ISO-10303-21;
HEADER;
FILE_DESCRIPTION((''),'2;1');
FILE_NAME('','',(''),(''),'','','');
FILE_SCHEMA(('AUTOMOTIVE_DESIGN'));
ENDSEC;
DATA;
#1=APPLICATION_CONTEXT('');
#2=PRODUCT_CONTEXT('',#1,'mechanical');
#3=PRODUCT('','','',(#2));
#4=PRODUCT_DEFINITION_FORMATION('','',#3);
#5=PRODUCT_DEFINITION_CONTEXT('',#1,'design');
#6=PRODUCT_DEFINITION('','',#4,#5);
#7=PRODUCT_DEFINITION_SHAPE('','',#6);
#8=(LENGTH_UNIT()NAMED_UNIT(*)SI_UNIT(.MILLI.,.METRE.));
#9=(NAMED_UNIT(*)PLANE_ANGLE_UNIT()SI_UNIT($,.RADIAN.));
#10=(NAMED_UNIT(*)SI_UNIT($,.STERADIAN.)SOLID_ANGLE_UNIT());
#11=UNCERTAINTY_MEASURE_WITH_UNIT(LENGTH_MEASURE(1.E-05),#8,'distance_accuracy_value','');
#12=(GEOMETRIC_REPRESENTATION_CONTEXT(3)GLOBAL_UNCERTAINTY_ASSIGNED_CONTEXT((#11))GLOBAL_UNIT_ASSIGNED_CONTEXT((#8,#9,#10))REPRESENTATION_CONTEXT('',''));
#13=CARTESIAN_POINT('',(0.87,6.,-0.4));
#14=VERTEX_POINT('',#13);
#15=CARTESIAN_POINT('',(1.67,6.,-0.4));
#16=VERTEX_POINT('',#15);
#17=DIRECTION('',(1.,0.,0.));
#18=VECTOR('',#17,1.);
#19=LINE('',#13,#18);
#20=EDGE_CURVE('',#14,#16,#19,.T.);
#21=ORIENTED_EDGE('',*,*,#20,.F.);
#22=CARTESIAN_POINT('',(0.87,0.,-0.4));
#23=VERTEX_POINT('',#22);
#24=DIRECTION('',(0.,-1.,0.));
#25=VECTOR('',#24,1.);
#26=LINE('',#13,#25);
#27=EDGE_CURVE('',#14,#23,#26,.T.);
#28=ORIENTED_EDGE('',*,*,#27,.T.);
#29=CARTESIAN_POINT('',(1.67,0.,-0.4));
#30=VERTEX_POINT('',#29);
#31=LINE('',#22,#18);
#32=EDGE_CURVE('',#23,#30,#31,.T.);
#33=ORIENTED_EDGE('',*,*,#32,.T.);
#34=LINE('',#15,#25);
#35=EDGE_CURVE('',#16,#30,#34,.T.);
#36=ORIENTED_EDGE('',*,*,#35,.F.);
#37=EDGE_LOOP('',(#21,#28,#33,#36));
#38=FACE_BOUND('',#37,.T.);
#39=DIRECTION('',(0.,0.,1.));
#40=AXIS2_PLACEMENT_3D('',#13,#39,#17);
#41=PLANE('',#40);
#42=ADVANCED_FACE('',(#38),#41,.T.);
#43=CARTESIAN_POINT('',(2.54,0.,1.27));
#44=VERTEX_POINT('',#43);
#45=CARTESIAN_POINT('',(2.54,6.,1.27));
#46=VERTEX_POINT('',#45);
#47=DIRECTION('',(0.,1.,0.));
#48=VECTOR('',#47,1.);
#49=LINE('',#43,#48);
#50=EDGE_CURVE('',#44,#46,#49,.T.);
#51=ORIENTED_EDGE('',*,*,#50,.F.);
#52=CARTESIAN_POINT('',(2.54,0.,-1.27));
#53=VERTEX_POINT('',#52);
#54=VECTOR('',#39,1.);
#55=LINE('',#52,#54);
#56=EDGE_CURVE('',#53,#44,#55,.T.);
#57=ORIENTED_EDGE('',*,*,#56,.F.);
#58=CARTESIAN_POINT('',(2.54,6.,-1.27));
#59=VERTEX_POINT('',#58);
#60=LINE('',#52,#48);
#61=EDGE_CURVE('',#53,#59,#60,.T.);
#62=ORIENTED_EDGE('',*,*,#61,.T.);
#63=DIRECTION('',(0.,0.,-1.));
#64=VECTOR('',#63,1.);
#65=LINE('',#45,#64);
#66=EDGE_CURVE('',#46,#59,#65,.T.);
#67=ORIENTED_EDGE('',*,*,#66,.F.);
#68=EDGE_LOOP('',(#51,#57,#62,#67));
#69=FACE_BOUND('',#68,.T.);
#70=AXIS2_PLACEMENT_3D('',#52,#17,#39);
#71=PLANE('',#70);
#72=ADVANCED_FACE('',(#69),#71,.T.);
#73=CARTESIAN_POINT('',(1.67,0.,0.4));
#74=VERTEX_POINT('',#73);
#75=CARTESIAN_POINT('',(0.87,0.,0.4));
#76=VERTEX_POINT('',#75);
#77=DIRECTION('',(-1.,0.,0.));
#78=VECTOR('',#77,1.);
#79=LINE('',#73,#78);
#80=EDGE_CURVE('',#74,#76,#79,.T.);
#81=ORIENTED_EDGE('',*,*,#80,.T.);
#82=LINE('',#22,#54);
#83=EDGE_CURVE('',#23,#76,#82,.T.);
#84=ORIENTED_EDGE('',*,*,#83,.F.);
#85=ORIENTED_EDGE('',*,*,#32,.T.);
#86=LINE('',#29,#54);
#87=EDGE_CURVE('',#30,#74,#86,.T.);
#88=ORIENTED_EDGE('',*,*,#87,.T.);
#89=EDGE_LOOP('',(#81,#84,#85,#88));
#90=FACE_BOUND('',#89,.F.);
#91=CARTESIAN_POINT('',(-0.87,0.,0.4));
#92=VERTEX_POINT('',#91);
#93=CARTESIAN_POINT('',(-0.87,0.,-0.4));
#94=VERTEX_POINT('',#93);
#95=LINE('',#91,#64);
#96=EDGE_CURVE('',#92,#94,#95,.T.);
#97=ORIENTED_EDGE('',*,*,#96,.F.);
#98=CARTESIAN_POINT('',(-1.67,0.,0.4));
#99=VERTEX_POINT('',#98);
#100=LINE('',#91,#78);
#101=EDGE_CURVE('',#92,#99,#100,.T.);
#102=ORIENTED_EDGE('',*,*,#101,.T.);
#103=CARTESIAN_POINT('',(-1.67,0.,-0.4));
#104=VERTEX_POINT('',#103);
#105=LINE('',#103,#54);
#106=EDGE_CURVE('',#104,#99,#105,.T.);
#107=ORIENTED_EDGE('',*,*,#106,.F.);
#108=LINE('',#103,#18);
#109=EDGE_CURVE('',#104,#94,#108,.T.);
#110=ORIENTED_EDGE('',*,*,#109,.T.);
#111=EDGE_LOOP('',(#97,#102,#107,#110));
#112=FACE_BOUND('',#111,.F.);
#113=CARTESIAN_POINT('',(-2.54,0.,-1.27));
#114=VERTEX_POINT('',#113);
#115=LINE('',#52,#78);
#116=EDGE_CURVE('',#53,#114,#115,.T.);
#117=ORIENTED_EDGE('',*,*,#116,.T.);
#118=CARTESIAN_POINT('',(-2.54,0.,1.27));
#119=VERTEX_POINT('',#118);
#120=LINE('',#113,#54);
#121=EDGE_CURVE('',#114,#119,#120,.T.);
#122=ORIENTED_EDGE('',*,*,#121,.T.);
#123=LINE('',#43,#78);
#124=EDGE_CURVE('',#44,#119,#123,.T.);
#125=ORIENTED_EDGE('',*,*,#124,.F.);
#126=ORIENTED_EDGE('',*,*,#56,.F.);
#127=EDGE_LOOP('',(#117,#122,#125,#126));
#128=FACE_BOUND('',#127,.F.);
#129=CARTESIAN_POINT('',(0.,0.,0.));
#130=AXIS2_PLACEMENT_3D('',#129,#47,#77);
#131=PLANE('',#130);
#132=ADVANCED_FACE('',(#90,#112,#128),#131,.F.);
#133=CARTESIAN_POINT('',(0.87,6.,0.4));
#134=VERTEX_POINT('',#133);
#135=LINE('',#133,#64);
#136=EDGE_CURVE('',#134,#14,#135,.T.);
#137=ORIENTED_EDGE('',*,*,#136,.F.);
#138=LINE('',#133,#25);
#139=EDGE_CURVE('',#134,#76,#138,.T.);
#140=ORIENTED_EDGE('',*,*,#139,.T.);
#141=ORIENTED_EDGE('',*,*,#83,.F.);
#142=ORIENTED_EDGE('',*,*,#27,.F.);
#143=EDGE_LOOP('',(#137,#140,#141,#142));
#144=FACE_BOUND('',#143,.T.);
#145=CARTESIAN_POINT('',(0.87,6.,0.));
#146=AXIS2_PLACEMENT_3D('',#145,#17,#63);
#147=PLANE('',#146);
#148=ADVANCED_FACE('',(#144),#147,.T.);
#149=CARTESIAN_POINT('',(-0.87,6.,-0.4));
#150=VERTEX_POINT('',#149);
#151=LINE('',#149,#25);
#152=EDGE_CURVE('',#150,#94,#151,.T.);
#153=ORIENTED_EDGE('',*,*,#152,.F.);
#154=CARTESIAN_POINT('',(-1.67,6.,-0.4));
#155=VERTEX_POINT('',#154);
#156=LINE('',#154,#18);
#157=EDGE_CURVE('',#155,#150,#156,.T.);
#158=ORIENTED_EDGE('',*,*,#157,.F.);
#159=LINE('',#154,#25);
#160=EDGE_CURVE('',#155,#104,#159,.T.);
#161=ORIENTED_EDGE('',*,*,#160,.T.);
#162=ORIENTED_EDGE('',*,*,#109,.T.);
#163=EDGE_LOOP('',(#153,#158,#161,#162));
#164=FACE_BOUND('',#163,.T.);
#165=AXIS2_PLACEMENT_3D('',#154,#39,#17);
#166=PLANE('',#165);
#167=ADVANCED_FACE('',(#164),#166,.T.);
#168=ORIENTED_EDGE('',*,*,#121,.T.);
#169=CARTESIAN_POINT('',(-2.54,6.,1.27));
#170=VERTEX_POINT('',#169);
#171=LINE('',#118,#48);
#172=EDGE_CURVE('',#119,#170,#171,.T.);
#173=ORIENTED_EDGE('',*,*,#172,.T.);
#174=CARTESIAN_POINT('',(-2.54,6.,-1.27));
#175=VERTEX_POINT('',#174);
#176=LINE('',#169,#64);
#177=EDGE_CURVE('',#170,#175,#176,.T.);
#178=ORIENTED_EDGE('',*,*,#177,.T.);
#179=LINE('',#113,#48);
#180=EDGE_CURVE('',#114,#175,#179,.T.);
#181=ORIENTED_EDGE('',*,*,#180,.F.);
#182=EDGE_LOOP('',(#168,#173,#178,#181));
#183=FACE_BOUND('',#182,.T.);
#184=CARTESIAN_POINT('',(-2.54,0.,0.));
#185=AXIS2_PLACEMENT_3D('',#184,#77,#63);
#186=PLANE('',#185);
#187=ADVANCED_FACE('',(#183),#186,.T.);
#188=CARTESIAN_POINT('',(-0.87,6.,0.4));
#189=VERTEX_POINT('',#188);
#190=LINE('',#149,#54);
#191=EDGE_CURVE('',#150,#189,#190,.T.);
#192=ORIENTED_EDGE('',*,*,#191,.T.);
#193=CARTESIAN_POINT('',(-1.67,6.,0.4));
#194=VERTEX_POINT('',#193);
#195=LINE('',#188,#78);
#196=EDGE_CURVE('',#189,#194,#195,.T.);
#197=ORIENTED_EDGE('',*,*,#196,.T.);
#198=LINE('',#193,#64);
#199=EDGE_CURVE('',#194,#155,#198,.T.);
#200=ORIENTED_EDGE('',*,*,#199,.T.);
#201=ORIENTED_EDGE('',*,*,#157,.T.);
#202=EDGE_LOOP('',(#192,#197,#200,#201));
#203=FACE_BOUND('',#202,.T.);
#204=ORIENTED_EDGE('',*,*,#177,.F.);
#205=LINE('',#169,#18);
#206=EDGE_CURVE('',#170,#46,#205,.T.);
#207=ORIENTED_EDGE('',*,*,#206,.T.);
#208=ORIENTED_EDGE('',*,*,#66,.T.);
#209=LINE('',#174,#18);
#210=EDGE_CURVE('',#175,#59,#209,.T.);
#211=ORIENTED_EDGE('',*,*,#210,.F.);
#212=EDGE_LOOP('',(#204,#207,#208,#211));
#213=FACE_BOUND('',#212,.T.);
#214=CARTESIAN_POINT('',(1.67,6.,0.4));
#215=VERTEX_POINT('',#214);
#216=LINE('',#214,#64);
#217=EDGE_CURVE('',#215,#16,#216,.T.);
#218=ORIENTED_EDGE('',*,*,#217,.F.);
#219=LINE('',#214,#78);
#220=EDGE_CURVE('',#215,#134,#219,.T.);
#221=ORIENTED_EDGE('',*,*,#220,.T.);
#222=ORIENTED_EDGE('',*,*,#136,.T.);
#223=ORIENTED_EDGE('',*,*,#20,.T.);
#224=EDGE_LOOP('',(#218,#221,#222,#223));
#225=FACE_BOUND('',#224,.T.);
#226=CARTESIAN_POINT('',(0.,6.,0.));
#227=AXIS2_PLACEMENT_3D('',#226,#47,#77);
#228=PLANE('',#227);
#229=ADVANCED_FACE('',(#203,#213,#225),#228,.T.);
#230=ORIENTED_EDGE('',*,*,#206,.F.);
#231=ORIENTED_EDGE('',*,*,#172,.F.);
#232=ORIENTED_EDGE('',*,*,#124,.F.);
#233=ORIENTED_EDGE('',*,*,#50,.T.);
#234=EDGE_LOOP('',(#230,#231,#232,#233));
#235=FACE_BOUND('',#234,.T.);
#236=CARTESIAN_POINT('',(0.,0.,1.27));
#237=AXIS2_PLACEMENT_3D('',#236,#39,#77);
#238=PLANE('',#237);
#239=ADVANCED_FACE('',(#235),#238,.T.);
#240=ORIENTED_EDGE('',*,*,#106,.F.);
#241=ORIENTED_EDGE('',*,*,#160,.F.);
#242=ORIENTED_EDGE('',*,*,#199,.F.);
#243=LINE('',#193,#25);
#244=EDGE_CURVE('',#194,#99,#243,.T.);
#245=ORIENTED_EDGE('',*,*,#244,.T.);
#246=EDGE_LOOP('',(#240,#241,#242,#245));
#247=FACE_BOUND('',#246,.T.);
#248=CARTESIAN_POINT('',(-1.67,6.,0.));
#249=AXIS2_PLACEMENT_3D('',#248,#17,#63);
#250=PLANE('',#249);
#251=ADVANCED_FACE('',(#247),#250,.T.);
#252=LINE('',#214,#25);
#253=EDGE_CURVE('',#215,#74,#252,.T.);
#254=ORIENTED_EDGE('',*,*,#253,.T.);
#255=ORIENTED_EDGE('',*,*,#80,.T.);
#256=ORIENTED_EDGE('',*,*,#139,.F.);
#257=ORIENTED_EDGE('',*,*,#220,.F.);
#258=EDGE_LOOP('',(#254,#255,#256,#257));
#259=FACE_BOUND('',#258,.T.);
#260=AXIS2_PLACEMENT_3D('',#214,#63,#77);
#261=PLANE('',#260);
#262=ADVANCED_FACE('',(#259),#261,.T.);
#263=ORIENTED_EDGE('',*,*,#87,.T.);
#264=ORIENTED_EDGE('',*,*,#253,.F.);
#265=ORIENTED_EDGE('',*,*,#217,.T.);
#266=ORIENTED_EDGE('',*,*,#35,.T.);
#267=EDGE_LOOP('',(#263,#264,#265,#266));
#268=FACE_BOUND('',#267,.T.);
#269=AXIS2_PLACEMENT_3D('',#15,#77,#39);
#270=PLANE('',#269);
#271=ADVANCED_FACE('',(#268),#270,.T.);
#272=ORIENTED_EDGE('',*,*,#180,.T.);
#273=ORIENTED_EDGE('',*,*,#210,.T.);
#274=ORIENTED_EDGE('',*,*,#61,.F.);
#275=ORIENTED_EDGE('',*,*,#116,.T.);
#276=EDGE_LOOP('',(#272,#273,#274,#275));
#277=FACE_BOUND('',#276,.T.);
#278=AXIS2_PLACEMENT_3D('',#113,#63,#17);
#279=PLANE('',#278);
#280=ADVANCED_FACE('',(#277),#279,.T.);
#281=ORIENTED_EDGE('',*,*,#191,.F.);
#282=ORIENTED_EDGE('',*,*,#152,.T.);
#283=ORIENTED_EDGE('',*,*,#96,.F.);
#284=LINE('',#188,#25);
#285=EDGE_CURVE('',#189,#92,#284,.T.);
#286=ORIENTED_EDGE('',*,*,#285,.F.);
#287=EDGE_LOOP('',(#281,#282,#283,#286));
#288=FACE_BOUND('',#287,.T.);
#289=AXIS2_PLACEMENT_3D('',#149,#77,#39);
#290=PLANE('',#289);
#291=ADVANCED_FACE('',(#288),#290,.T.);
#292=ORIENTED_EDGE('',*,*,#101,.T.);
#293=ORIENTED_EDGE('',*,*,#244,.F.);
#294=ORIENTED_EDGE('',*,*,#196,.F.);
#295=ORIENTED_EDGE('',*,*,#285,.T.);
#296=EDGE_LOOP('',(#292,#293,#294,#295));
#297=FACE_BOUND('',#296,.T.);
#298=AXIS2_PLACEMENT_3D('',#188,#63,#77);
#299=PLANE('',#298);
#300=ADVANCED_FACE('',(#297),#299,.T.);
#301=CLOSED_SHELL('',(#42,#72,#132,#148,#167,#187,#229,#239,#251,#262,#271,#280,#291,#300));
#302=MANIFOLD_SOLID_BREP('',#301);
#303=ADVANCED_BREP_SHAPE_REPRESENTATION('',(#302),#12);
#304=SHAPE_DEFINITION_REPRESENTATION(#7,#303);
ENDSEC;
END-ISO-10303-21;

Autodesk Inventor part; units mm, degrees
ref_plane "YZ Plane" through (0, 0, 0) normal (1, 0, 0) x (0, 1, 0)
ref_plane "XZ Plane" through (0, 0, 0) normal (0, 1, 0) x (-1, 0, 0)
ref_plane "XY Plane" through (0, 0, 0) normal (0, 0, 1) x (1, 0, 0)
sketch "Эскиз1" plane through (0, 0, 0) normal (0, 1, 0) x (-1, 0, 0)
  line L0 (2.54, -1.27) -> (-2.54, -1.27)
  line L1 (-2.54, -1.27) -> (-2.54, 1.27)
  line L2 (-2.54, 1.27) -> (2.54, 1.27)
  line L3 (2.54, 1.27) -> (2.54, -1.27)
  line L4 (0, -1.778) -> (0, 1.778) projected
  line L5 (3.556, 0) -> (-3.556, 0) projected
  point P0 (0, 0)
  dimension "d0" = 5.08
  dimension "d1" = 2.54
extrude "Выдавливание1" add sketch "Эскиз1" along normal blind 6
sketch "Эскиз2" plane through (0, 6, 0) normal (0, 1, 0) x (1, 0, 0)
  line L0 (-1.67, 0.4) -> (-0.87, 0.4)
  line L1 (-0.87, 0.4) -> (-0.87, -0.4)
  line L2 (-0.87, -0.4) -> (-1.67, -0.4)
  line L3 (-1.67, -0.4) -> (-1.67, 0.4)
  line L4 (-3.556, 0) -> (3.556, 0) projected
  line L5 (0, 1.778) -> (0, -1.778) projected
  line L6 (0.87, 0.4) -> (1.67, 0.4)
  line L7 (1.67, 0.4) -> (1.67, -0.4)
  line L8 (1.67, -0.4) -> (0.87, -0.4)
  line L9 (0.87, -0.4) -> (0.87, 0.4)
  point P0 (0, 0)
  dimension "d4" = 0.8
  dimension "d5" = 0.8
  dimension "d8" = 2.54
extrude "Выдавливание2" cut sketch "Эскиз2" against normal blind 6
properties part number "jumper"
